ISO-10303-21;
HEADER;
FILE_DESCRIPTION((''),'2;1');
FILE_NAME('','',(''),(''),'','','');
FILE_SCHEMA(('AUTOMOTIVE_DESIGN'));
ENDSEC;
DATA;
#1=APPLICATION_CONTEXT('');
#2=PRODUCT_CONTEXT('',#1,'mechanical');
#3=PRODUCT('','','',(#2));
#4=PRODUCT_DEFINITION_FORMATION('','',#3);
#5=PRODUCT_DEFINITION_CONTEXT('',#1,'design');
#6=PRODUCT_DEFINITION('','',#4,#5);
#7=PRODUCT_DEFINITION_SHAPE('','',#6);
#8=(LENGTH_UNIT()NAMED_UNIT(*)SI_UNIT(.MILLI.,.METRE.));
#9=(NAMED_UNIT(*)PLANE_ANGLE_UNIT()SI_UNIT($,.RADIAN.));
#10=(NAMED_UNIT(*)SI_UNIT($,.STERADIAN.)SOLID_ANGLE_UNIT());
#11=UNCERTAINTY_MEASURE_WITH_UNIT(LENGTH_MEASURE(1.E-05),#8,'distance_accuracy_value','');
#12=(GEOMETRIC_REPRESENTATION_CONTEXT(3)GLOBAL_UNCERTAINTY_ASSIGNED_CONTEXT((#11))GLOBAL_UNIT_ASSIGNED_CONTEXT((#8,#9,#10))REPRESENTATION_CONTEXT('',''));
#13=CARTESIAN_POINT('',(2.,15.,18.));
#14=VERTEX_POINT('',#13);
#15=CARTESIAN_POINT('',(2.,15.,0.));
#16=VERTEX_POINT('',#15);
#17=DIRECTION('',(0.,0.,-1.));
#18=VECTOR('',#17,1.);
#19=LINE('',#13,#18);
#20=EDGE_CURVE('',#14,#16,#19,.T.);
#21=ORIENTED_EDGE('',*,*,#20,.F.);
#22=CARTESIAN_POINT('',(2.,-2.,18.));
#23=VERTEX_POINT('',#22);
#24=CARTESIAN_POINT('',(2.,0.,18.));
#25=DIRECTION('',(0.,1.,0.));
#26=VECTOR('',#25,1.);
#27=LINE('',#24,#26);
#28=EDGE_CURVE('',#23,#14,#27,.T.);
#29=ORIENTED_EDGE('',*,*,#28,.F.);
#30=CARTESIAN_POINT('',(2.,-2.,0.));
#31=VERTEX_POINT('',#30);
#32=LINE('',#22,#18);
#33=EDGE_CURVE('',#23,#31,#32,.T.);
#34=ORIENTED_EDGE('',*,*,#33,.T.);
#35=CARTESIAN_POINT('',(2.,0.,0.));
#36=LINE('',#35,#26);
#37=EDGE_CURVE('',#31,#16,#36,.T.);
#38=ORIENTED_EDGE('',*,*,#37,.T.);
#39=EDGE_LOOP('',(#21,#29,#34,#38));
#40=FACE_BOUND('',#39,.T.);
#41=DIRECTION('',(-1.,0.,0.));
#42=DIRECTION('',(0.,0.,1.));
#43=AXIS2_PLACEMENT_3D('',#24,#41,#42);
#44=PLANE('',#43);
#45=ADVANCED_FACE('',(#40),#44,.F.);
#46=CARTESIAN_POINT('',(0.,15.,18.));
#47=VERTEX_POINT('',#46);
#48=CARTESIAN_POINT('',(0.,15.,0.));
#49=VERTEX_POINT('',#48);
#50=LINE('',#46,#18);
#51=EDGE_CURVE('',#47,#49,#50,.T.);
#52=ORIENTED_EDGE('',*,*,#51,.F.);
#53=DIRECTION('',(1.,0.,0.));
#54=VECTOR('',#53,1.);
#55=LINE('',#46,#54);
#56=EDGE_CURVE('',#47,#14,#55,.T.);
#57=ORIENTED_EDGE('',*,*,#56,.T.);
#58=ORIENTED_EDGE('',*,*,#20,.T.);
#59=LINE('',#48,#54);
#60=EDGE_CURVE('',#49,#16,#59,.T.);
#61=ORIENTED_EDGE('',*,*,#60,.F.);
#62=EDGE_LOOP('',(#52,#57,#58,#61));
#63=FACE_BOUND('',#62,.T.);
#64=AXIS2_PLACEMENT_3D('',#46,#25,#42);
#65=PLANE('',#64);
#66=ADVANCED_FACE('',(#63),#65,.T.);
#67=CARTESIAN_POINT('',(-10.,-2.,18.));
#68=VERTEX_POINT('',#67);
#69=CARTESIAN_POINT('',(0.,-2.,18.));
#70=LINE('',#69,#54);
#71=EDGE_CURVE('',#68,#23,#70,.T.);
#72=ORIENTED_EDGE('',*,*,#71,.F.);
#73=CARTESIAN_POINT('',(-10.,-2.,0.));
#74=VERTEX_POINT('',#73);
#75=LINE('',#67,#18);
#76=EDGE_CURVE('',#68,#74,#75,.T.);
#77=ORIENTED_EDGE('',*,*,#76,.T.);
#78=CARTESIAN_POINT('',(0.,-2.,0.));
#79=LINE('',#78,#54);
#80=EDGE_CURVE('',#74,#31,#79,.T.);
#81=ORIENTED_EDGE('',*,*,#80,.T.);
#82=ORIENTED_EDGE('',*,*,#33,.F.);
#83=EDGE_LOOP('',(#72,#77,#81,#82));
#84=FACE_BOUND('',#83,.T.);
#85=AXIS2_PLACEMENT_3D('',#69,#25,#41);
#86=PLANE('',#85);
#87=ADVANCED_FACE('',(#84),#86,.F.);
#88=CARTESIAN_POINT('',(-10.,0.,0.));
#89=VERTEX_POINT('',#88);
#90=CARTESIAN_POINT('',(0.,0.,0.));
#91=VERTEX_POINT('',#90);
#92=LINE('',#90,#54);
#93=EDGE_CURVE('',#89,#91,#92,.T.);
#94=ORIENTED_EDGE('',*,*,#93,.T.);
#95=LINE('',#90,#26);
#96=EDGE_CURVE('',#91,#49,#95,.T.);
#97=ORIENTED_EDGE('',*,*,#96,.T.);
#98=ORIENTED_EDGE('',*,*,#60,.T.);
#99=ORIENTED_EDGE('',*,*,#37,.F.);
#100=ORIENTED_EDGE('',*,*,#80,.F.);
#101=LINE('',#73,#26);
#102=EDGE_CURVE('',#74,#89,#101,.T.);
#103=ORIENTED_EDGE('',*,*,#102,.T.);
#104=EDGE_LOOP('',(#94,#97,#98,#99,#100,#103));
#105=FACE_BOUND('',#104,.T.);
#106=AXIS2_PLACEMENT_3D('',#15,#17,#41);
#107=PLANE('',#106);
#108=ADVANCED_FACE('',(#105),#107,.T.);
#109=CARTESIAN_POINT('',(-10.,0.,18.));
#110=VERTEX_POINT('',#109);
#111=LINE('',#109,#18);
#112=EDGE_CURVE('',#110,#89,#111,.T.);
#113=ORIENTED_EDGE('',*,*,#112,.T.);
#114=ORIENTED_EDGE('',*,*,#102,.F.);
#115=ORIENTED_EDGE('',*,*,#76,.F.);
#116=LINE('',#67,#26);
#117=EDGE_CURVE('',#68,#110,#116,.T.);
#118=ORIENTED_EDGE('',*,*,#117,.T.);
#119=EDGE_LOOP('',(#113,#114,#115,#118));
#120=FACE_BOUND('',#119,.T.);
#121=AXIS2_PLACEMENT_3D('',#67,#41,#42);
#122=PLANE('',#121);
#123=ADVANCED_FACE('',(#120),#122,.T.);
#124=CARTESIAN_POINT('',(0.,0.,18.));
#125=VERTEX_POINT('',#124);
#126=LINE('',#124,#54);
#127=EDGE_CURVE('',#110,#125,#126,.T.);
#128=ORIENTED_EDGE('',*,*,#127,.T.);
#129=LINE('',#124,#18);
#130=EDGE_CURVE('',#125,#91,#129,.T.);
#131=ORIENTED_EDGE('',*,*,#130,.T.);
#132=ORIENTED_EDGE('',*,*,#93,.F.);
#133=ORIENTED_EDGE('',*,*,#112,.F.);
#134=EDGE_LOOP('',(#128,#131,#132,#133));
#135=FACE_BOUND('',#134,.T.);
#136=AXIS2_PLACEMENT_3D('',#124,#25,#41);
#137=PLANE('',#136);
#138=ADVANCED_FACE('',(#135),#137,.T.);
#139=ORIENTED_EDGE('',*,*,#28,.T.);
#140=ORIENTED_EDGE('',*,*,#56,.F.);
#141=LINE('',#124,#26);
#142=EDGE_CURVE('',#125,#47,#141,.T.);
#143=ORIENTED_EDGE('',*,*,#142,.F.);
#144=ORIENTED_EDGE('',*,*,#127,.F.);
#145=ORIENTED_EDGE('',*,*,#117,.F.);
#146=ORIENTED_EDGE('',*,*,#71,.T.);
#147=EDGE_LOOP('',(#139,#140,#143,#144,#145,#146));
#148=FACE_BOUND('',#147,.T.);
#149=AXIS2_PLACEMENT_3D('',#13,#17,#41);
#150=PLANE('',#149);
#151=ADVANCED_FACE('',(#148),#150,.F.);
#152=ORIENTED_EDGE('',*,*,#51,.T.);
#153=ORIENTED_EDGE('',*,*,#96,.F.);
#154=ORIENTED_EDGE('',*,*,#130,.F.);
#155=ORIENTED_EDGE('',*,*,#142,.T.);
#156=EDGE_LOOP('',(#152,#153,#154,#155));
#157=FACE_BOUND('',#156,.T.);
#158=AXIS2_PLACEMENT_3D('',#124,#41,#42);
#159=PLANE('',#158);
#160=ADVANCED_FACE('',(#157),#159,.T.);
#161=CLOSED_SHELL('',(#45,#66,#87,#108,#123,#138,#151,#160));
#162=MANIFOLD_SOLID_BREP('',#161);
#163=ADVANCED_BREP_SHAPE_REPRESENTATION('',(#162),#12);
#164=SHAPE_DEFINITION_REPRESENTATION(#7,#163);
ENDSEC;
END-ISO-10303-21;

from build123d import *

# Parameters (mm, degrees)
EXTRUDE_1_DEPTH = 18


with BuildPart() as part:
    # Эскиз1 → Вытянуть-Тонкостенный1 (new body)
    with BuildSketch(Plane.XY):
        Polygon((0, 15), (0, 0), (-10, 0), (-10, -2), (2, -2), (2, 15), align=None)
    extrude(amount=EXTRUDE_1_DEPTH)


solid = part.part
